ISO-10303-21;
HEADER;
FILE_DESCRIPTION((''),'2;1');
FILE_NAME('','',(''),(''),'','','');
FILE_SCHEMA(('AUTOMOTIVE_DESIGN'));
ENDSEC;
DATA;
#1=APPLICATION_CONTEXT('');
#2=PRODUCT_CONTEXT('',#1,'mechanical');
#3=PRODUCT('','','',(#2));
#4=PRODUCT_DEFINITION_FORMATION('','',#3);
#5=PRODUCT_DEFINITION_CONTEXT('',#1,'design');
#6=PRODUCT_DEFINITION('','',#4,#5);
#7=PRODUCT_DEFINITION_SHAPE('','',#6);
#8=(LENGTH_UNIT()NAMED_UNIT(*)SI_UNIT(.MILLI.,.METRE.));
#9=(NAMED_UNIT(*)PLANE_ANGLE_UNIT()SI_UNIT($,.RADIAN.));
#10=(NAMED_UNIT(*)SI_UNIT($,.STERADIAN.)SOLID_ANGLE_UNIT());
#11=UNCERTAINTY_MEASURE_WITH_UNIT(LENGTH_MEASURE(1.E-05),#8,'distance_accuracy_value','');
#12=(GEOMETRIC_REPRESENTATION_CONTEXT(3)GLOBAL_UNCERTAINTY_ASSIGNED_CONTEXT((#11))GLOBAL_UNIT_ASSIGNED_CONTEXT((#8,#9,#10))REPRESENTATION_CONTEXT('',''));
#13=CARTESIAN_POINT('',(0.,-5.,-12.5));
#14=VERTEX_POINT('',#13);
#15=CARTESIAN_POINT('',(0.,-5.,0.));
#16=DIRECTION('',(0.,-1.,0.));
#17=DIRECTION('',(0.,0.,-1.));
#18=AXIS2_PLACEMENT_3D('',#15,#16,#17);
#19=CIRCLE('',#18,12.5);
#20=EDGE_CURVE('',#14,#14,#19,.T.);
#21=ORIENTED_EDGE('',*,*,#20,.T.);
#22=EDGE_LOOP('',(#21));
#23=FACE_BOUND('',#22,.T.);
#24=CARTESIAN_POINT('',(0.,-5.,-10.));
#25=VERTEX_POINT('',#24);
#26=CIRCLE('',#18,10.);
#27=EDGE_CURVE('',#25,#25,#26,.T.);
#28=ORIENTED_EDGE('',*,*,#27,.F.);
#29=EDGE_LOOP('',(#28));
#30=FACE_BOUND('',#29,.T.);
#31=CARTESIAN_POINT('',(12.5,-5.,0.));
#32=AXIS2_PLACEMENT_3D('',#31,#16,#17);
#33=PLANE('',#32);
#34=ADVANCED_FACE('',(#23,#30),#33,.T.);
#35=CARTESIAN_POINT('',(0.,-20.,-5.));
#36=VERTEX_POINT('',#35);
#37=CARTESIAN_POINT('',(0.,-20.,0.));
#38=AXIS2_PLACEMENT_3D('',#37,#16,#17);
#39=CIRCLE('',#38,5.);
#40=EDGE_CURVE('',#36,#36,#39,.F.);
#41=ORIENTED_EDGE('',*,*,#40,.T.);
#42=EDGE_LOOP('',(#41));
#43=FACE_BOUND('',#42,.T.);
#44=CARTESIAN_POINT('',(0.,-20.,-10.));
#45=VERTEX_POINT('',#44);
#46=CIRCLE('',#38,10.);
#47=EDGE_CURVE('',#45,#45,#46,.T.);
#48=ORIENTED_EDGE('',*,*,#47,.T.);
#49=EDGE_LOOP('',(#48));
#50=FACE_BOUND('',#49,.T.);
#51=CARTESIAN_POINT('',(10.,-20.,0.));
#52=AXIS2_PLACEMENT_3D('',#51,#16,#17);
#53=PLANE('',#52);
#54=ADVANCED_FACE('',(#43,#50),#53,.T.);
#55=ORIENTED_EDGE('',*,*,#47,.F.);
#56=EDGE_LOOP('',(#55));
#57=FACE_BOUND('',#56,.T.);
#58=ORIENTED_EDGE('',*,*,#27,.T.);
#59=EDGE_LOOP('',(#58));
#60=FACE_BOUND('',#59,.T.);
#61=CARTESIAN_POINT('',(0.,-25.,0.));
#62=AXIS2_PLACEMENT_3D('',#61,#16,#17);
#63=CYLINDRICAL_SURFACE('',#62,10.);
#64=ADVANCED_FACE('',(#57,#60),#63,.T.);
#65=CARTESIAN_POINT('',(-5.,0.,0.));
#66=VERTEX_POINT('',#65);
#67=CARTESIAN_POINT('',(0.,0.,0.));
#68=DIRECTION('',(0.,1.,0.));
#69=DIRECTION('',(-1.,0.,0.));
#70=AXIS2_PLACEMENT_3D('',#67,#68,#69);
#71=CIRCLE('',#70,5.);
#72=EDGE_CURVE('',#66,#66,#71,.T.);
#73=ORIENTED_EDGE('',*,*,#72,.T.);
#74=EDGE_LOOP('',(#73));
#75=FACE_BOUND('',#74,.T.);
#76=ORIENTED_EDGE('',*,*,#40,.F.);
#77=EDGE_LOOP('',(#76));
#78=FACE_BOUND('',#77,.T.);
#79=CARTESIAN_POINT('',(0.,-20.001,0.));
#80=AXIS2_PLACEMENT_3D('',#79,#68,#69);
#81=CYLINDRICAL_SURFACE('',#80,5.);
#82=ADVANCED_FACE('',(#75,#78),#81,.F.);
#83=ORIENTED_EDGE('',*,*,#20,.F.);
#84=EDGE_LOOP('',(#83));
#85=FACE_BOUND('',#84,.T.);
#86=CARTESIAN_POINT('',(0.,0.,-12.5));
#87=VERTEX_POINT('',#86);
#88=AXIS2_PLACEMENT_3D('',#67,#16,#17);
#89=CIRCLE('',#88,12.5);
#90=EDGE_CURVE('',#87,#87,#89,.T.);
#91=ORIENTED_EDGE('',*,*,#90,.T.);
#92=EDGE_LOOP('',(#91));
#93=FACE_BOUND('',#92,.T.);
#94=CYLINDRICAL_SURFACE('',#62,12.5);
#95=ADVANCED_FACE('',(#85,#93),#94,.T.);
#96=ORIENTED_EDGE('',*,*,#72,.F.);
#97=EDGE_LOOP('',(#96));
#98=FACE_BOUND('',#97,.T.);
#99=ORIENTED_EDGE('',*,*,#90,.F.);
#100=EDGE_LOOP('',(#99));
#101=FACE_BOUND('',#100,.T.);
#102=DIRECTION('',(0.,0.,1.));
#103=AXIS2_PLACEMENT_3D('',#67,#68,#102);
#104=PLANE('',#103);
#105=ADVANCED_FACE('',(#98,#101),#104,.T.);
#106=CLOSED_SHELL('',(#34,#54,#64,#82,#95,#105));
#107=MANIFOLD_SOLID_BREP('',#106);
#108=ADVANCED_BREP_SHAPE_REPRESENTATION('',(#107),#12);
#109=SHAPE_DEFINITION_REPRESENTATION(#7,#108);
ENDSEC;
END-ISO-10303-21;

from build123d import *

# Parameters (mm, degrees)
CUT_EXTRUDE1_REACH = 28.693
SKETCH2_R          = 5


with BuildPart() as part:
    # Sketch1 → Revolve1 (revolve)
    with BuildSketch(Plane.XY, mode=Mode.PRIVATE) as revolve1_sk:
        Polygon((0, 0), (12.5, 0), (12.5, -5), (10, -5), (10, -20), (0, -20), align=None)
    revolve(revolve1_sk.sketch.rotate(Axis((0, -25, 0), (0, 1, 0)), 90), axis=Axis((0, -25, 0), (0, 1, 0)))

    # Sketch2 → Cut-Extrude1 (cut, up to next)
    with BuildSketch(Plane(origin=(0, 0, 0), x_dir=(1, 0, 0), z_dir=(0, 1, 0)), mode=Mode.PRIVATE) as cut_extrude1_sk1:
        with Locations(Location((0, 0, 0), (0, 0, 180))):
            Circle(SKETCH2_R)
    cut_extrude1_tool1 = extrude(cut_extrude1_sk1.sketch, amount=-CUT_EXTRUDE1_REACH, mode=Mode.PRIVATE) & part.part
    add(cut_extrude1_tool1.solids().sort_by_distance((0, 0, 0))[0], mode=Mode.SUBTRACT)


solid = part.part
